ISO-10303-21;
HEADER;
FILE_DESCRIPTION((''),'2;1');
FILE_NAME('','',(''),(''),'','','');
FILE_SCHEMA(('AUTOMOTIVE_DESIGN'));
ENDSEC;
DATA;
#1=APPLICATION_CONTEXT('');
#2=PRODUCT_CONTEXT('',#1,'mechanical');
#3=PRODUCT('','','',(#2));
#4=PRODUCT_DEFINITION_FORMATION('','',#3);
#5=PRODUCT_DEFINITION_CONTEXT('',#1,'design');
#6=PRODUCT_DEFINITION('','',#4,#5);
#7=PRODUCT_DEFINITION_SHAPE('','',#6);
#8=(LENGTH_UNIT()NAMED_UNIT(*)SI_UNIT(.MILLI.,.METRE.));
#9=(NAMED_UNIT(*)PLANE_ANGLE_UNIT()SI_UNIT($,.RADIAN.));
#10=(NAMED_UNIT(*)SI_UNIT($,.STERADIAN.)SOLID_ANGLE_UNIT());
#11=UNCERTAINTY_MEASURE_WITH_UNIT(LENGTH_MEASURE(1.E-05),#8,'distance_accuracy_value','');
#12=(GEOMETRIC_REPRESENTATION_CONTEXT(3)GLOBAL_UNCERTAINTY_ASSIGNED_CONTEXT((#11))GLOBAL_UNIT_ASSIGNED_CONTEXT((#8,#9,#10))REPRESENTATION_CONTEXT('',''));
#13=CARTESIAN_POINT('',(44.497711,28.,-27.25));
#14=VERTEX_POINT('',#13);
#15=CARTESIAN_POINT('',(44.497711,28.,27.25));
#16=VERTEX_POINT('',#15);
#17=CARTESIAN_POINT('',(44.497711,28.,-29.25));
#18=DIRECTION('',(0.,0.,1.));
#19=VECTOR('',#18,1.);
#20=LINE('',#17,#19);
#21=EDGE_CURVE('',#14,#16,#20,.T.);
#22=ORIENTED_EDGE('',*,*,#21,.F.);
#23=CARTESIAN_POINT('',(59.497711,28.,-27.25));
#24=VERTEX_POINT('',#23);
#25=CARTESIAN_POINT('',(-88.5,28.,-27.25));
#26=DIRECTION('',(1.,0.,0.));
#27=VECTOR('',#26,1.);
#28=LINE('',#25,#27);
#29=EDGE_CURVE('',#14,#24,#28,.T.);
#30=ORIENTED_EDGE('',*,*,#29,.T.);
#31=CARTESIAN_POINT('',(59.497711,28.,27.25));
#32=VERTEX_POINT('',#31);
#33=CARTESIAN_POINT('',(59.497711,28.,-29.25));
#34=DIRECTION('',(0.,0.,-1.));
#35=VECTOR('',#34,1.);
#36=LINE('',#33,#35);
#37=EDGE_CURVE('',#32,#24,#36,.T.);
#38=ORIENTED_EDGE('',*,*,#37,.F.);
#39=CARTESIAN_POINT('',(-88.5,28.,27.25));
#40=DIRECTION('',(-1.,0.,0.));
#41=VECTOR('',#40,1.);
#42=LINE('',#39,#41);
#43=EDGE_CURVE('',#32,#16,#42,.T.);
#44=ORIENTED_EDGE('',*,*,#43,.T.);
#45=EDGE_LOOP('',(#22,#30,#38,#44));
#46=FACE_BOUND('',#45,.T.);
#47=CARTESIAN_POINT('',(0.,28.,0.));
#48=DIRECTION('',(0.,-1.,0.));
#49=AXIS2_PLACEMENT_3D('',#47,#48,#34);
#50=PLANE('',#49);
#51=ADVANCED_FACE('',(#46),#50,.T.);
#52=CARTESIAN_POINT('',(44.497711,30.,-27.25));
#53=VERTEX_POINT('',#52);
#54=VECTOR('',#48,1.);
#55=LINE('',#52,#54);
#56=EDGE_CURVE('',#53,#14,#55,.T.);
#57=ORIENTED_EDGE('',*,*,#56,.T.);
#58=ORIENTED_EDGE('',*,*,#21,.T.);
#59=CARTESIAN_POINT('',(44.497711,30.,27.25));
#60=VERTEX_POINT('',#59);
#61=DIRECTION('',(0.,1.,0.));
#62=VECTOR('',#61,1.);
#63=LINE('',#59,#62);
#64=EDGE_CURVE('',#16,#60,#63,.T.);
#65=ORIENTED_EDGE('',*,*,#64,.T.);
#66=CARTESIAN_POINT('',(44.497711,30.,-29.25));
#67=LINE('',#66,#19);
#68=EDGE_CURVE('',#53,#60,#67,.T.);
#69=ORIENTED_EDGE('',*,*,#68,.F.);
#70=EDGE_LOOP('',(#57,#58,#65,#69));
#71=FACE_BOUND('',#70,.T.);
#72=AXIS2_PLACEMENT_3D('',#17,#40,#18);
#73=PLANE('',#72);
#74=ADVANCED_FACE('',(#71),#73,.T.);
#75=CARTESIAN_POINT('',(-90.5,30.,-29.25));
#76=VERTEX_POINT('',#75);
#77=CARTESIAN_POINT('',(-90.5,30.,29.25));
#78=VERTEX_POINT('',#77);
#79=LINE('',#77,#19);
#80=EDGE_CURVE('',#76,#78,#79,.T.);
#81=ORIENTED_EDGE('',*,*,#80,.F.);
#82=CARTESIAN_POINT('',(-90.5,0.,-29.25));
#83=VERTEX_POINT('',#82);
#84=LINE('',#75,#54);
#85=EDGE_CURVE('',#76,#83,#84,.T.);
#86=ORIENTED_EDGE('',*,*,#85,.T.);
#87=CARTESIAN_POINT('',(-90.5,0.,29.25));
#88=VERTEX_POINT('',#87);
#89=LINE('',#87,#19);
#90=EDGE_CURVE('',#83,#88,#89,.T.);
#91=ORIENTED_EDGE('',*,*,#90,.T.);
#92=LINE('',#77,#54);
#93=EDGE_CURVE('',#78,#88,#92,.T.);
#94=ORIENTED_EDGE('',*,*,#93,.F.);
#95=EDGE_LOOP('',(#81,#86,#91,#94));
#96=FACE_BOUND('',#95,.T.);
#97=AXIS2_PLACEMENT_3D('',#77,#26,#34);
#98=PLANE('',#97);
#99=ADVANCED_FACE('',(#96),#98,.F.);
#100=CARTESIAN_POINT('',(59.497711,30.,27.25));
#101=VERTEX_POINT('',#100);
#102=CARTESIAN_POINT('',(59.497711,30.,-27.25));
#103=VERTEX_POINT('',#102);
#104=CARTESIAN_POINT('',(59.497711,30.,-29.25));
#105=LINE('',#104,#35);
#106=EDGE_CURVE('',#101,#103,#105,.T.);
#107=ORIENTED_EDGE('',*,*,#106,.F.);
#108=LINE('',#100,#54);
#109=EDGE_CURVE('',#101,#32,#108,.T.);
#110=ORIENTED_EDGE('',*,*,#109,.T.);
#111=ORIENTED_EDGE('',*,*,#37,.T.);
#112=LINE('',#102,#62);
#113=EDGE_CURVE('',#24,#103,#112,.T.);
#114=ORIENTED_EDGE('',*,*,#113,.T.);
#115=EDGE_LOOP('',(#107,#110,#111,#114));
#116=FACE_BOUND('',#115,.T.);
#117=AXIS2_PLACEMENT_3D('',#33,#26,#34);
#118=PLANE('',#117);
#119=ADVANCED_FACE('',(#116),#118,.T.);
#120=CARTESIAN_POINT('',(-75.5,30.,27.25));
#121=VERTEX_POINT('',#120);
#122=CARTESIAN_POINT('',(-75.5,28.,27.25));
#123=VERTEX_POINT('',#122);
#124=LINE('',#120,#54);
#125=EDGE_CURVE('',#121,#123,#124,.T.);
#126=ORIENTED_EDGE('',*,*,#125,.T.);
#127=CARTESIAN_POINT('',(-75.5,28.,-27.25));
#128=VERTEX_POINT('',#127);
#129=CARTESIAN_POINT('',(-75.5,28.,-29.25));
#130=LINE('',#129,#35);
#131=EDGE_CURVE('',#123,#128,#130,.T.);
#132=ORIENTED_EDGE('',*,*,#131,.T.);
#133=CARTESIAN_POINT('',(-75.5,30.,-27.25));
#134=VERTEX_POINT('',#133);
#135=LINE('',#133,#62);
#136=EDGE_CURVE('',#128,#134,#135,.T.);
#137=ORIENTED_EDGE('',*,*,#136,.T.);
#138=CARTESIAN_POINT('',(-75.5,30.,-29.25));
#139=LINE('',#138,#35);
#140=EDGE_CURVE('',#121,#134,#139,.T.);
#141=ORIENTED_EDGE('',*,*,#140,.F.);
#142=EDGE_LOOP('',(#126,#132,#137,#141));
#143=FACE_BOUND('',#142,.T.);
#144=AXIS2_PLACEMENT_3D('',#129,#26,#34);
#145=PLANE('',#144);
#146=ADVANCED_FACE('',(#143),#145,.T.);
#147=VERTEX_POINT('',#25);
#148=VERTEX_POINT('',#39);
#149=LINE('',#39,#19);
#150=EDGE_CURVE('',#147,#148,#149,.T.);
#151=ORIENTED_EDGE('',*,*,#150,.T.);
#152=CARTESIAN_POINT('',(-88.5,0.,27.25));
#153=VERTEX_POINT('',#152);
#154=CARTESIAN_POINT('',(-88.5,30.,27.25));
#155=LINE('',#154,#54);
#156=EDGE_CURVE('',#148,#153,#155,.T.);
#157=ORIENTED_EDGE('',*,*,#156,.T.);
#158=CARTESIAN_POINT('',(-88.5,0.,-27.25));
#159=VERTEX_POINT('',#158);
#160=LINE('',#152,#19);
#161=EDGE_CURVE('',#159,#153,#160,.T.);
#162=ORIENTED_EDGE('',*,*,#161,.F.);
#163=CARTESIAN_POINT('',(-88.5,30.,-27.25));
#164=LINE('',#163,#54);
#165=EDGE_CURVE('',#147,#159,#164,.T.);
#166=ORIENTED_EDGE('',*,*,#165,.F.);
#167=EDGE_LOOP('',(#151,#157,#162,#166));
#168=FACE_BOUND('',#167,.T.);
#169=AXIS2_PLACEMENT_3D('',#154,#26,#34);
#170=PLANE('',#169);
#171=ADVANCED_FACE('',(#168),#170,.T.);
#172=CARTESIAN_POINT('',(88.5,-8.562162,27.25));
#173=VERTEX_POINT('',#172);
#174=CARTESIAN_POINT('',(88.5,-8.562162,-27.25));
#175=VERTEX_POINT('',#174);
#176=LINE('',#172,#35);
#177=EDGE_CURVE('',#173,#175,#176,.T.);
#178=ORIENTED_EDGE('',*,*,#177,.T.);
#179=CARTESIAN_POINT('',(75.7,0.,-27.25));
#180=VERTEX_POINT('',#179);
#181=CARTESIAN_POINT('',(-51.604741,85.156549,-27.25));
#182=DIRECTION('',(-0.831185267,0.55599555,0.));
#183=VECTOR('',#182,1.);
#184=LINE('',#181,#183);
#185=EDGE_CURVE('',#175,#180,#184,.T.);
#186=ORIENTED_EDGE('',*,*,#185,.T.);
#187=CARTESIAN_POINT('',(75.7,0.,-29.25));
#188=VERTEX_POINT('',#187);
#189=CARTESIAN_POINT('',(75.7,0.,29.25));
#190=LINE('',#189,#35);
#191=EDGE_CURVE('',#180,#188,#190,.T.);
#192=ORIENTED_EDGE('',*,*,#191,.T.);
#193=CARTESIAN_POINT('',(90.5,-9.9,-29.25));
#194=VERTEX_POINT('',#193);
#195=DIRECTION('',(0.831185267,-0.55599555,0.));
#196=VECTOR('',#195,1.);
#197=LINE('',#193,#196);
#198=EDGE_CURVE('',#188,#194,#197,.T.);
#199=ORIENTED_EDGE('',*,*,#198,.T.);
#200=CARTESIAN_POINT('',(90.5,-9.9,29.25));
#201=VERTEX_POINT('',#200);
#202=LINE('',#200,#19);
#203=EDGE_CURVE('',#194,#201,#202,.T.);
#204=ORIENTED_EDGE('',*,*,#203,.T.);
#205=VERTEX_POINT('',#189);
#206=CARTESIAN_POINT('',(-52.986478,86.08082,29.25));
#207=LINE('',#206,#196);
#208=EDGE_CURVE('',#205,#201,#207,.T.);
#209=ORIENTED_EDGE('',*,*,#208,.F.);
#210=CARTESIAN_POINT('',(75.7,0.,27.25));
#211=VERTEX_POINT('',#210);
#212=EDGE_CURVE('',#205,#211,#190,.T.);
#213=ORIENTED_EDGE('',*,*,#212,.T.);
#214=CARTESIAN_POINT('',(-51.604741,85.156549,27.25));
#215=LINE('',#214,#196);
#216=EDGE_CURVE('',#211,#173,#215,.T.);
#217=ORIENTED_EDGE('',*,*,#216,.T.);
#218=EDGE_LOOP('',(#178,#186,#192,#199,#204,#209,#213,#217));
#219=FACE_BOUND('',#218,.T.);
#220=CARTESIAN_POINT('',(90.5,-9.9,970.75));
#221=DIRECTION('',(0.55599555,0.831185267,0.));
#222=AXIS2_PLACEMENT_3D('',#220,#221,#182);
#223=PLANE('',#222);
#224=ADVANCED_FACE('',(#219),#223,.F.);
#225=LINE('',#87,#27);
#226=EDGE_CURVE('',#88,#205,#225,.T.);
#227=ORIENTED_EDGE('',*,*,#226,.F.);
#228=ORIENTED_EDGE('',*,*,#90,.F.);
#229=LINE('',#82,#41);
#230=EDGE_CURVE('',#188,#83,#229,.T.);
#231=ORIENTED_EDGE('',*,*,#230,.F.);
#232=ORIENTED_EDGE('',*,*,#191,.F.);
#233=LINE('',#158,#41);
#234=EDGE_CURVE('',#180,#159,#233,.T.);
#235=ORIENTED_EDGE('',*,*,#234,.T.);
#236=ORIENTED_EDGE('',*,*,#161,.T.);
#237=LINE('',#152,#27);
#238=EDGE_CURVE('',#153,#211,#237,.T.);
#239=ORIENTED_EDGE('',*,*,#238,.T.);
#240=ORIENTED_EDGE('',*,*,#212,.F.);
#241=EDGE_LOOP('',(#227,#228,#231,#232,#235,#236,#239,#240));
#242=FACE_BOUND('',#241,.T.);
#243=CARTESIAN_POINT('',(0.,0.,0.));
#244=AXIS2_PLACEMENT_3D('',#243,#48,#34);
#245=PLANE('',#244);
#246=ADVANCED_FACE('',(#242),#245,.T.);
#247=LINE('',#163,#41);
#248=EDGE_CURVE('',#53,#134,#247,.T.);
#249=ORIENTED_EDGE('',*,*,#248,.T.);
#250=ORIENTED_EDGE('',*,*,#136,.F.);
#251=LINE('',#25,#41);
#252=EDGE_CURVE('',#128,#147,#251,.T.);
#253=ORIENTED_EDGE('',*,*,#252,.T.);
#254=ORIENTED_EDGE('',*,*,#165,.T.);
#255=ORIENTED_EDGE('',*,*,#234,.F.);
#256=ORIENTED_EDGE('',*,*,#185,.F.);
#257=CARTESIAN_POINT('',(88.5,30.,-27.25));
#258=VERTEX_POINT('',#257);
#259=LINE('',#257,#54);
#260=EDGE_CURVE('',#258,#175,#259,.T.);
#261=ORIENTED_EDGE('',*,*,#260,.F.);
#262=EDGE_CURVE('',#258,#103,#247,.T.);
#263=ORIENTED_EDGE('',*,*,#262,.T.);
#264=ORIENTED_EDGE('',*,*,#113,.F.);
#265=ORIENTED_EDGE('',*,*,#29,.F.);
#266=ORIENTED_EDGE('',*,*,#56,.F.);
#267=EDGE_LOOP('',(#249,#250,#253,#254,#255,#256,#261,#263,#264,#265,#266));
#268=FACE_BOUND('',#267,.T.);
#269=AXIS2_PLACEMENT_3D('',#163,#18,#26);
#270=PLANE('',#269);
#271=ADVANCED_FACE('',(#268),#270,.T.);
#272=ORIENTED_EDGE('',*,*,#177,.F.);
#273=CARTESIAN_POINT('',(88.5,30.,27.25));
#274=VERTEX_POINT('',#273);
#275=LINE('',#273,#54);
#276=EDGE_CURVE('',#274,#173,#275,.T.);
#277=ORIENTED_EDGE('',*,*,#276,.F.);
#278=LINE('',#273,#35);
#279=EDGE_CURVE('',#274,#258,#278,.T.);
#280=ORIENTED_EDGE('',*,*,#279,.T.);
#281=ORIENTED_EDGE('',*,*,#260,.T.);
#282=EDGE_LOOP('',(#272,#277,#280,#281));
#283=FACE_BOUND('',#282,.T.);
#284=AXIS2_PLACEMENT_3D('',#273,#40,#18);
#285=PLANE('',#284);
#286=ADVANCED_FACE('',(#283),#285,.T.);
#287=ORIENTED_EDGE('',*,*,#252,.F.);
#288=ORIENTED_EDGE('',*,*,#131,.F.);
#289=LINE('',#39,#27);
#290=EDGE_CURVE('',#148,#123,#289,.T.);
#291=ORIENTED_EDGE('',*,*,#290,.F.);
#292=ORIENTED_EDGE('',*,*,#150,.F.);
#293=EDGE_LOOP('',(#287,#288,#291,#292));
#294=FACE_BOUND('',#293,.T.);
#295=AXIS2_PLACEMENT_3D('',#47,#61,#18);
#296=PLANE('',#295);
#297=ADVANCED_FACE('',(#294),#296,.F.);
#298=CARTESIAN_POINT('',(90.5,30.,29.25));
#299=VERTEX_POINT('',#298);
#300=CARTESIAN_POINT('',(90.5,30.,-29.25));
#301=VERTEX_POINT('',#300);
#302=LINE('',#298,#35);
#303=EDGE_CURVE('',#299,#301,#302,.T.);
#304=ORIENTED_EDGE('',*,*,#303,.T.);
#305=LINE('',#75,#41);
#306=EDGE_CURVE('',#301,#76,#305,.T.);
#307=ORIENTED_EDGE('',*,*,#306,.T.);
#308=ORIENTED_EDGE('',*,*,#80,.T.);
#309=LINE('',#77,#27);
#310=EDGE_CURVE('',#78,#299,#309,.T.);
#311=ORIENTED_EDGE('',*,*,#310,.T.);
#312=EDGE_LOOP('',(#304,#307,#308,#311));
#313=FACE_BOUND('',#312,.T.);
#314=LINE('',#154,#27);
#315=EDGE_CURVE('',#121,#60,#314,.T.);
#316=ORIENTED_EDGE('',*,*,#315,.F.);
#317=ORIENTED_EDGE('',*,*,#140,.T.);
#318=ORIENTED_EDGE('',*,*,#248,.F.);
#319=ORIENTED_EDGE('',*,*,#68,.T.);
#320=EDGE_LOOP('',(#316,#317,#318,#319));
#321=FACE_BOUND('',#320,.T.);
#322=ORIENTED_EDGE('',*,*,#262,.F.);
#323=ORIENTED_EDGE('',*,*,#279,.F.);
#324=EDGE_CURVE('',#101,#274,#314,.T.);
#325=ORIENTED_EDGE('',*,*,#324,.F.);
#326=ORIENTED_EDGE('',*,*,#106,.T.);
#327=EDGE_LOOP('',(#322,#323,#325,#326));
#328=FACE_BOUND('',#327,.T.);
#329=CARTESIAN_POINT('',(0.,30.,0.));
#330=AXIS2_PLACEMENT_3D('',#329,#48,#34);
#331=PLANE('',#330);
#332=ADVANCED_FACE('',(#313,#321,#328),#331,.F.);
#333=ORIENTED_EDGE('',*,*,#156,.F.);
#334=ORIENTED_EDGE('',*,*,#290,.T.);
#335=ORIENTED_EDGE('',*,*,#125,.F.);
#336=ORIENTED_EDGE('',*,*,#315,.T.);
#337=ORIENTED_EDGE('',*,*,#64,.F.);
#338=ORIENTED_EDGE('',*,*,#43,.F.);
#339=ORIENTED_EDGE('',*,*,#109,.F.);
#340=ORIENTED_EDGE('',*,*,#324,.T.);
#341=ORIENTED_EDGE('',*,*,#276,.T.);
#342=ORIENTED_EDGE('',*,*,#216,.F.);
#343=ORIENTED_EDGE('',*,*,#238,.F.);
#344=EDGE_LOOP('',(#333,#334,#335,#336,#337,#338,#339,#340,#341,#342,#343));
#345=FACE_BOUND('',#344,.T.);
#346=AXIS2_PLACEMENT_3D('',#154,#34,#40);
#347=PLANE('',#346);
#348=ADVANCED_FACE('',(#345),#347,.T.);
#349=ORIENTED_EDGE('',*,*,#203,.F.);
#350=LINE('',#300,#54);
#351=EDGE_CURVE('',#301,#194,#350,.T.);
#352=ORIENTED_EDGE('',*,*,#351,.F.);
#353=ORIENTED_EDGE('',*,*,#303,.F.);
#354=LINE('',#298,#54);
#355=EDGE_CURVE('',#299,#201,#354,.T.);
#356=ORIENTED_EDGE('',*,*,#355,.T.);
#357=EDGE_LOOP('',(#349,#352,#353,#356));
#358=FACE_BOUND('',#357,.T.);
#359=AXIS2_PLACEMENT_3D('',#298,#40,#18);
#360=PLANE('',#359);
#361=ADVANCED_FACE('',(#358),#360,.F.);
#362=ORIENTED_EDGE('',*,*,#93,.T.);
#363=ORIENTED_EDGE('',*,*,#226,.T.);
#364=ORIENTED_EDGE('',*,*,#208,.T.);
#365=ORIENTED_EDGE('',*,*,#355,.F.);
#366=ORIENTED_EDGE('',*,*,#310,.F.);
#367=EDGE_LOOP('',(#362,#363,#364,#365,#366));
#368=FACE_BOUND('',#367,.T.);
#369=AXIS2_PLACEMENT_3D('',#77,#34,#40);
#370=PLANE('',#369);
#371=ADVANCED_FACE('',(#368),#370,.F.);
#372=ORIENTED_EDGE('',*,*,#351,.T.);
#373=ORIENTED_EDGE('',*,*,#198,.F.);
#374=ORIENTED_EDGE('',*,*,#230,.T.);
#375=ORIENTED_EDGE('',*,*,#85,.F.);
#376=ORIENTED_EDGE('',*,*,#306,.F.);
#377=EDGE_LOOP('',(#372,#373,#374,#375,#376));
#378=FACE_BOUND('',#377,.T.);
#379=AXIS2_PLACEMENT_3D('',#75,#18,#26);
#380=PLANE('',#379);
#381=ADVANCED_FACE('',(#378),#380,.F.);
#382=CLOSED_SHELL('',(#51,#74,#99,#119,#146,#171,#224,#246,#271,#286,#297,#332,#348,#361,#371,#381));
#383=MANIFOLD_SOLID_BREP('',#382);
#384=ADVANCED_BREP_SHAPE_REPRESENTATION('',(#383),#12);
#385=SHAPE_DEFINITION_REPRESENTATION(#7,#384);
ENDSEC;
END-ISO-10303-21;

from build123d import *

# Parameters (mm, degrees)
SKETCH_2_W          = 181
SKETCH_2_H          = 58.5
SKETCH_2_W_2        = 177
SKETCH_2_H_2        = 54.5
EXTRUDE_1_DEPTH     = 30
SKETCH_3_W          = 14.8
SKETCH_3_H          = 58.5
EXTRUDE_2_DEPTH     = 9.9
SKETCH_5_W          = 12.8
SKETCH_5_H          = 54.5
CUT_EXTRUDE_1_DEPTH = 9.9
CUT_EXTRUDE_2_DEPTH = 1000
SKETCH_7_W          = 15
SKETCH_7_H          = 58.5
EXTRUDE_3_DEPTH     = 2


with BuildPart() as part:
    # Эскиз2 → Бобышка-Вытянуть1 (new body)
    with BuildSketch(Plane(origin=(0, 0, 0), x_dir=(1, 0, 0), z_dir=(0, 1, 0))):
        Rectangle(SKETCH_2_W, SKETCH_2_H)
        Rectangle(SKETCH_2_W_2, SKETCH_2_H_2, mode=Mode.SUBTRACT)
    extrude(amount=EXTRUDE_1_DEPTH)

    # Эскиз3 → Бобышка-Вытянуть2 (add)
    with BuildSketch(Plane.XZ):
        with Locations((83.1, 0)):
            Rectangle(SKETCH_3_W, SKETCH_3_H)
    extrude(amount=EXTRUDE_2_DEPTH)

    # Эскиз5 → Вырез-Вытянуть1 (cut)
    with BuildSketch(Plane(origin=(0, 0, 0), x_dir=(1, 0, 0), z_dir=(0, 1, 0))):
        with Locations((82.1, 0)):
            Rectangle(SKETCH_5_W, SKETCH_5_H)
    extrude(amount=-CUT_EXTRUDE_1_DEPTH, mode=Mode.SUBTRACT)

    # Эскиз6 → Вырез-Вытянуть2 (cut)
    with BuildSketch(Plane(origin=(0, 0, -29.25), x_dir=(-1, 0, 0), z_dir=(0, 0, -1))):
        Polygon((-90.5, -9.9), (-75.7, 0), (-75.7, -9.9), align=None)
    extrude(amount=-CUT_EXTRUDE_2_DEPTH, mode=Mode.SUBTRACT)

    # Эскиз7 → Бобышка-Вытянуть3 (add)
    with BuildSketch(Plane(origin=(0, 30, 0), x_dir=(1, 0, 0), z_dir=(0, 1, 0))):
        with Locations((-83, 0)):
            Rectangle(SKETCH_7_W, SKETCH_7_H)
        with Locations((51.997710559, 0)):
            Rectangle(SKETCH_7_W, SKETCH_7_H)
    extrude(amount=-EXTRUDE_3_DEPTH)


solid = part.part
